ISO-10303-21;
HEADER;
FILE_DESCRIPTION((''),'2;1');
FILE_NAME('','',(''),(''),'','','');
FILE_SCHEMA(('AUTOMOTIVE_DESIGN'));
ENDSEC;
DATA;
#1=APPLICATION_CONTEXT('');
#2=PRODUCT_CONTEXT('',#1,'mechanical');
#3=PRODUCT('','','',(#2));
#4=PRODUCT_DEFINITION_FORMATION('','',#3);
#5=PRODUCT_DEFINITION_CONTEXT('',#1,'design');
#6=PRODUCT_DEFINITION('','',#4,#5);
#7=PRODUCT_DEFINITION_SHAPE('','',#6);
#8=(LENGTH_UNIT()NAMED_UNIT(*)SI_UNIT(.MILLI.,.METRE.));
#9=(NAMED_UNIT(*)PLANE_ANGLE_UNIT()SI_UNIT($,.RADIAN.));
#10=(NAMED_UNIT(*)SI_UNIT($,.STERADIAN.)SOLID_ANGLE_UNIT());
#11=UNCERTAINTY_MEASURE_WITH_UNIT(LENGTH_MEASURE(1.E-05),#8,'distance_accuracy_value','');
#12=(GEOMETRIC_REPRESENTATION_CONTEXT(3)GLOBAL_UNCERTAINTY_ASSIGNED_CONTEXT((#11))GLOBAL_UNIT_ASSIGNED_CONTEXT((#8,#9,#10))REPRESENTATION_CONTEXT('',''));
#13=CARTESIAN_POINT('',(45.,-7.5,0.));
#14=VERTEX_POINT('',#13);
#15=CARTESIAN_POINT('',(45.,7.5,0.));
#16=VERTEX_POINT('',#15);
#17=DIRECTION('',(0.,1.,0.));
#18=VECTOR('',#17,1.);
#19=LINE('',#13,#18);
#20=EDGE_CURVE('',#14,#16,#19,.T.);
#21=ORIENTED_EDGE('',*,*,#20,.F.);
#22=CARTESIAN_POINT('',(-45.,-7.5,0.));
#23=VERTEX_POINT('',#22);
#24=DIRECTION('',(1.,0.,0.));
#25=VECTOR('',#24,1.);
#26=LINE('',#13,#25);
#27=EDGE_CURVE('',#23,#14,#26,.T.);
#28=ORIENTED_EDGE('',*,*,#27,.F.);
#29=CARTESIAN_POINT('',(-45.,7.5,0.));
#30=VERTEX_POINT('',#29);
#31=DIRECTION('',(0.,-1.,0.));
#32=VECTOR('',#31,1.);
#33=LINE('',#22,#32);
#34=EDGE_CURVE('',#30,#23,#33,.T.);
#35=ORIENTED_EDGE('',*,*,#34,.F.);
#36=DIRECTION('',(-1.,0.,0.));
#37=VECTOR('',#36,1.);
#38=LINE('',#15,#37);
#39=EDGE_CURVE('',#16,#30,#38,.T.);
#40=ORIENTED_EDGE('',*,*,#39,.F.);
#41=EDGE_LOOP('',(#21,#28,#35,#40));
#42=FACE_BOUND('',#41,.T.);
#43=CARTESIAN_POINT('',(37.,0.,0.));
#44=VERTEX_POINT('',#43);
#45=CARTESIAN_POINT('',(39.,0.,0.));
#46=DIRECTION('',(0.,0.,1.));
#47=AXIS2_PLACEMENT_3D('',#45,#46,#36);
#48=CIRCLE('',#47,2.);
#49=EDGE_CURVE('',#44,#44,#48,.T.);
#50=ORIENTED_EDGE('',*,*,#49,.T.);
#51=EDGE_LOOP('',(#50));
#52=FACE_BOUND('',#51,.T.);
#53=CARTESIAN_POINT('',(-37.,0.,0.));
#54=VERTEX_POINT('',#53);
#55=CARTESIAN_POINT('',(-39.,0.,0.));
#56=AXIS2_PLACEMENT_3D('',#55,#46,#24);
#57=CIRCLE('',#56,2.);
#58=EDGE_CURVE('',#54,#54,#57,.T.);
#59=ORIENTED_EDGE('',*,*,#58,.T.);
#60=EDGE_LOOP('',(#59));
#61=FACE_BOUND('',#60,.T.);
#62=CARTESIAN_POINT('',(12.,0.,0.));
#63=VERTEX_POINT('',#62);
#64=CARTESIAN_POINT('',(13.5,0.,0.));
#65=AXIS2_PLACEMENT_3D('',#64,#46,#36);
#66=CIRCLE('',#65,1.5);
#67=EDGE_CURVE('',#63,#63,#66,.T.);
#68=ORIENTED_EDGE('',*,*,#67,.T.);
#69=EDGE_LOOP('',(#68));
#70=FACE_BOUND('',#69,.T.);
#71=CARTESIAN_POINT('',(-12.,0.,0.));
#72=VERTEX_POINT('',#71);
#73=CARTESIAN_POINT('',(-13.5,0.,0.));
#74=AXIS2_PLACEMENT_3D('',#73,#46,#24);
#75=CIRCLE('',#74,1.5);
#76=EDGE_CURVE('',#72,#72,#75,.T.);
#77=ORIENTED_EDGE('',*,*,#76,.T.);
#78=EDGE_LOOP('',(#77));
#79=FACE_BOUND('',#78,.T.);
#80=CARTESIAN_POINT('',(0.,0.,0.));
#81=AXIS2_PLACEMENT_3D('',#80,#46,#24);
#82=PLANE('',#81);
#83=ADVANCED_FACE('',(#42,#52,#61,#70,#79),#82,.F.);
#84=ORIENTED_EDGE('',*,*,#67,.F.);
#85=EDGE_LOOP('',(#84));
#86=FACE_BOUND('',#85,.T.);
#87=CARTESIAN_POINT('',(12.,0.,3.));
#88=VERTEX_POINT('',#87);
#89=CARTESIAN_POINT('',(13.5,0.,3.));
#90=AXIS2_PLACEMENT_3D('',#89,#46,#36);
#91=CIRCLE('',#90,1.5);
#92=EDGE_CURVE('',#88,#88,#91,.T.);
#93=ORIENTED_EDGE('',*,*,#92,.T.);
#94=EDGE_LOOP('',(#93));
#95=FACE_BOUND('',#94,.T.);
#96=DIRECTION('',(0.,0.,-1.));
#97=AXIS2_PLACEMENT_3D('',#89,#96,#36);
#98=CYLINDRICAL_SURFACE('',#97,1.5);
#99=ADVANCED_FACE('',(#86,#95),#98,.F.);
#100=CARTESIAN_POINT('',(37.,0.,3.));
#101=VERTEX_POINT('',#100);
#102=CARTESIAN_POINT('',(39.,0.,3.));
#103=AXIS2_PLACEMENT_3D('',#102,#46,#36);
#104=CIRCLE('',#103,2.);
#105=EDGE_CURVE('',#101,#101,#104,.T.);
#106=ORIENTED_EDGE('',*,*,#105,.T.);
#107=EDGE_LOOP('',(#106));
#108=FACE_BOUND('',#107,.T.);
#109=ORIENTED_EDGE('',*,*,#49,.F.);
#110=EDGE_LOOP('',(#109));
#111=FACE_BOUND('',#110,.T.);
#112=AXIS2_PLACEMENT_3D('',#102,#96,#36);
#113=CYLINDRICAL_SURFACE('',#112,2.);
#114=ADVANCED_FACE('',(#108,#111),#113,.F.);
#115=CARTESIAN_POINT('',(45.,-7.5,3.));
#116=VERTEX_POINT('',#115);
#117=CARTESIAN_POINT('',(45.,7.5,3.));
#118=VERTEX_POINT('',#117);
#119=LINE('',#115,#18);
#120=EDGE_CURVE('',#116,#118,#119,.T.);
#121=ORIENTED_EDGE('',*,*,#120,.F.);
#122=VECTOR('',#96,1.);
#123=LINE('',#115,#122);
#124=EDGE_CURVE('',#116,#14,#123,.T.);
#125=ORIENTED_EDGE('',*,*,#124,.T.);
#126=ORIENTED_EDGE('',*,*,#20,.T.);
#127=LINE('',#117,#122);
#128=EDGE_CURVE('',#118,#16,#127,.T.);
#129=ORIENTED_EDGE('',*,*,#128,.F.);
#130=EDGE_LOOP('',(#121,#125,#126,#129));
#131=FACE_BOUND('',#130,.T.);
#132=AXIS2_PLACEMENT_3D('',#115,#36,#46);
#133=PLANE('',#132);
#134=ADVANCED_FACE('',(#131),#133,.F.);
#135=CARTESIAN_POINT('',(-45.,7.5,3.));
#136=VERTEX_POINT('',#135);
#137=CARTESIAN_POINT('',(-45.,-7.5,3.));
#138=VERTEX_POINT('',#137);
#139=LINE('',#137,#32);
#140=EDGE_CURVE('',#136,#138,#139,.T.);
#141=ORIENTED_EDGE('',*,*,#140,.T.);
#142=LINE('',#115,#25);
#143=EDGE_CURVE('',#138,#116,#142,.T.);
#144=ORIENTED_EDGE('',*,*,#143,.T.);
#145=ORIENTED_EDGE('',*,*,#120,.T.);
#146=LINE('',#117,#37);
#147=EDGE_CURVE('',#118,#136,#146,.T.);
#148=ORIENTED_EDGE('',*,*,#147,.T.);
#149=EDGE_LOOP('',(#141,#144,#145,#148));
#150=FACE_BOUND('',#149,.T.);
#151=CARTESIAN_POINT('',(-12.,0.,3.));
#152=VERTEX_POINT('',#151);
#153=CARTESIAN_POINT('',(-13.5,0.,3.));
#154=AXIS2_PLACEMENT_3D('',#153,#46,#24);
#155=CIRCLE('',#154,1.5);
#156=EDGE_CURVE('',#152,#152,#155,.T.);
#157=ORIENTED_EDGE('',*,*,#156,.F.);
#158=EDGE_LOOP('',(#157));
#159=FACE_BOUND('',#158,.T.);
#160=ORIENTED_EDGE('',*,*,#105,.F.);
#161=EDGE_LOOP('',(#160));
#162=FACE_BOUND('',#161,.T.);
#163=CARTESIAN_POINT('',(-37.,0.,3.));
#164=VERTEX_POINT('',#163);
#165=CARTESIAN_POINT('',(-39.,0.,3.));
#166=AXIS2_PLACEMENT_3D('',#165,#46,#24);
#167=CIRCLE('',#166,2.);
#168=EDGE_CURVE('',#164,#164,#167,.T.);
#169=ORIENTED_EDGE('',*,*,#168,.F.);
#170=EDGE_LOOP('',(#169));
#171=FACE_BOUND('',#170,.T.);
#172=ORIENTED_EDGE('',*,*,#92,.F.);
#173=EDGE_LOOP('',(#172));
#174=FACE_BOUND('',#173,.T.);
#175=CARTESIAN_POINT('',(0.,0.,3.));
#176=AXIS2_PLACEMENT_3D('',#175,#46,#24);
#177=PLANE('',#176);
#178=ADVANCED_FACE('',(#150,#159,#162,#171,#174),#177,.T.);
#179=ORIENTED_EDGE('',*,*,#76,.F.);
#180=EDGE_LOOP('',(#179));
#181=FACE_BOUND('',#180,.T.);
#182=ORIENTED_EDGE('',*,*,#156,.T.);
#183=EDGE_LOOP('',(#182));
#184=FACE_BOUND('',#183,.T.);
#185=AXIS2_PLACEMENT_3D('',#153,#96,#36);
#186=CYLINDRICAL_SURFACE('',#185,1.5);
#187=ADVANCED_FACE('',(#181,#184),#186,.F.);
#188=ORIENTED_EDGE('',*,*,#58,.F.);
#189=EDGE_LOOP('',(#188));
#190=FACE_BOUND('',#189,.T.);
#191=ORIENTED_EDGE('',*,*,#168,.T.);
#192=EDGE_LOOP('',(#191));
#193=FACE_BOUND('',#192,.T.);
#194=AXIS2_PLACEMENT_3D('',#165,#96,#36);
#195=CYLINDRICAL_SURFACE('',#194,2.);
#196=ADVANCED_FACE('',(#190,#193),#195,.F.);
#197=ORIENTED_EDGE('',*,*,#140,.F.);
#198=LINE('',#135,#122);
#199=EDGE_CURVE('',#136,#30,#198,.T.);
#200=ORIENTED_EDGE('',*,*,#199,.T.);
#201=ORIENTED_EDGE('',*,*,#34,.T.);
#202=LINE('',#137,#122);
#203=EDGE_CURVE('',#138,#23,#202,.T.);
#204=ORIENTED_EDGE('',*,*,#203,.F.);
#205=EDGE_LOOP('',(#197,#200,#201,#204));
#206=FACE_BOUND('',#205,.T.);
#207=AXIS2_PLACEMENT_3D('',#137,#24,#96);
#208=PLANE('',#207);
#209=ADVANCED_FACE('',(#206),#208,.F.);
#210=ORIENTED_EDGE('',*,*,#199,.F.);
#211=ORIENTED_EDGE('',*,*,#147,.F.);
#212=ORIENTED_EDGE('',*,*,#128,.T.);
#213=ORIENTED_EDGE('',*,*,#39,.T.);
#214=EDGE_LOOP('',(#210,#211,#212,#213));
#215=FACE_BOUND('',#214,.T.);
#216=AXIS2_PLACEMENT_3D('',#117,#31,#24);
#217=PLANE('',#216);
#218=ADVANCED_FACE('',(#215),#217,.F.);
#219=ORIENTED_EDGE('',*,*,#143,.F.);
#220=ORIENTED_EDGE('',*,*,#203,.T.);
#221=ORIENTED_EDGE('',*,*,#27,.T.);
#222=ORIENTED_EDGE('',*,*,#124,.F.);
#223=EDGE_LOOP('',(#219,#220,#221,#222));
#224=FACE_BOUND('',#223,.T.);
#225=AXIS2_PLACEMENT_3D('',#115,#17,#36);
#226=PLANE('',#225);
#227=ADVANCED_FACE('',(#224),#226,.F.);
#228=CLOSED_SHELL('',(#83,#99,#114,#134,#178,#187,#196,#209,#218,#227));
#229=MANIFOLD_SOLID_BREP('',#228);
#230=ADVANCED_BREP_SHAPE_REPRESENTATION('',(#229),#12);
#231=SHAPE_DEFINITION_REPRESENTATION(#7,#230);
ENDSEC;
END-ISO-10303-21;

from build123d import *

# Parameters (mm, degrees)
SKETCH_1_W      = 90
SKETCH_1_H      = 15
SKETCH_1_R      = 1.5
SKETCH_1_R_2    = 2
EXTRUDE_1_DEPTH = 3


with BuildPart() as part:
    # 草图1 → 凸台-拉伸1 (new body)
    with BuildSketch(Plane.XY):
        Rectangle(SKETCH_1_W, SKETCH_1_H)
        with Locations((-13.5, 0)):
            Circle(SKETCH_1_R, mode=Mode.SUBTRACT)
        with Locations(Location((13.5, 0, 0), (0, 0, 180))):
            Circle(SKETCH_1_R, mode=Mode.SUBTRACT)
        with Locations((-39, 0)):
            Circle(SKETCH_1_R_2, mode=Mode.SUBTRACT)
        with Locations(Location((39, 0, 0), (0, 0, 180))):
            Circle(SKETCH_1_R_2, mode=Mode.SUBTRACT)
    extrude(amount=EXTRUDE_1_DEPTH)


solid = part.part
